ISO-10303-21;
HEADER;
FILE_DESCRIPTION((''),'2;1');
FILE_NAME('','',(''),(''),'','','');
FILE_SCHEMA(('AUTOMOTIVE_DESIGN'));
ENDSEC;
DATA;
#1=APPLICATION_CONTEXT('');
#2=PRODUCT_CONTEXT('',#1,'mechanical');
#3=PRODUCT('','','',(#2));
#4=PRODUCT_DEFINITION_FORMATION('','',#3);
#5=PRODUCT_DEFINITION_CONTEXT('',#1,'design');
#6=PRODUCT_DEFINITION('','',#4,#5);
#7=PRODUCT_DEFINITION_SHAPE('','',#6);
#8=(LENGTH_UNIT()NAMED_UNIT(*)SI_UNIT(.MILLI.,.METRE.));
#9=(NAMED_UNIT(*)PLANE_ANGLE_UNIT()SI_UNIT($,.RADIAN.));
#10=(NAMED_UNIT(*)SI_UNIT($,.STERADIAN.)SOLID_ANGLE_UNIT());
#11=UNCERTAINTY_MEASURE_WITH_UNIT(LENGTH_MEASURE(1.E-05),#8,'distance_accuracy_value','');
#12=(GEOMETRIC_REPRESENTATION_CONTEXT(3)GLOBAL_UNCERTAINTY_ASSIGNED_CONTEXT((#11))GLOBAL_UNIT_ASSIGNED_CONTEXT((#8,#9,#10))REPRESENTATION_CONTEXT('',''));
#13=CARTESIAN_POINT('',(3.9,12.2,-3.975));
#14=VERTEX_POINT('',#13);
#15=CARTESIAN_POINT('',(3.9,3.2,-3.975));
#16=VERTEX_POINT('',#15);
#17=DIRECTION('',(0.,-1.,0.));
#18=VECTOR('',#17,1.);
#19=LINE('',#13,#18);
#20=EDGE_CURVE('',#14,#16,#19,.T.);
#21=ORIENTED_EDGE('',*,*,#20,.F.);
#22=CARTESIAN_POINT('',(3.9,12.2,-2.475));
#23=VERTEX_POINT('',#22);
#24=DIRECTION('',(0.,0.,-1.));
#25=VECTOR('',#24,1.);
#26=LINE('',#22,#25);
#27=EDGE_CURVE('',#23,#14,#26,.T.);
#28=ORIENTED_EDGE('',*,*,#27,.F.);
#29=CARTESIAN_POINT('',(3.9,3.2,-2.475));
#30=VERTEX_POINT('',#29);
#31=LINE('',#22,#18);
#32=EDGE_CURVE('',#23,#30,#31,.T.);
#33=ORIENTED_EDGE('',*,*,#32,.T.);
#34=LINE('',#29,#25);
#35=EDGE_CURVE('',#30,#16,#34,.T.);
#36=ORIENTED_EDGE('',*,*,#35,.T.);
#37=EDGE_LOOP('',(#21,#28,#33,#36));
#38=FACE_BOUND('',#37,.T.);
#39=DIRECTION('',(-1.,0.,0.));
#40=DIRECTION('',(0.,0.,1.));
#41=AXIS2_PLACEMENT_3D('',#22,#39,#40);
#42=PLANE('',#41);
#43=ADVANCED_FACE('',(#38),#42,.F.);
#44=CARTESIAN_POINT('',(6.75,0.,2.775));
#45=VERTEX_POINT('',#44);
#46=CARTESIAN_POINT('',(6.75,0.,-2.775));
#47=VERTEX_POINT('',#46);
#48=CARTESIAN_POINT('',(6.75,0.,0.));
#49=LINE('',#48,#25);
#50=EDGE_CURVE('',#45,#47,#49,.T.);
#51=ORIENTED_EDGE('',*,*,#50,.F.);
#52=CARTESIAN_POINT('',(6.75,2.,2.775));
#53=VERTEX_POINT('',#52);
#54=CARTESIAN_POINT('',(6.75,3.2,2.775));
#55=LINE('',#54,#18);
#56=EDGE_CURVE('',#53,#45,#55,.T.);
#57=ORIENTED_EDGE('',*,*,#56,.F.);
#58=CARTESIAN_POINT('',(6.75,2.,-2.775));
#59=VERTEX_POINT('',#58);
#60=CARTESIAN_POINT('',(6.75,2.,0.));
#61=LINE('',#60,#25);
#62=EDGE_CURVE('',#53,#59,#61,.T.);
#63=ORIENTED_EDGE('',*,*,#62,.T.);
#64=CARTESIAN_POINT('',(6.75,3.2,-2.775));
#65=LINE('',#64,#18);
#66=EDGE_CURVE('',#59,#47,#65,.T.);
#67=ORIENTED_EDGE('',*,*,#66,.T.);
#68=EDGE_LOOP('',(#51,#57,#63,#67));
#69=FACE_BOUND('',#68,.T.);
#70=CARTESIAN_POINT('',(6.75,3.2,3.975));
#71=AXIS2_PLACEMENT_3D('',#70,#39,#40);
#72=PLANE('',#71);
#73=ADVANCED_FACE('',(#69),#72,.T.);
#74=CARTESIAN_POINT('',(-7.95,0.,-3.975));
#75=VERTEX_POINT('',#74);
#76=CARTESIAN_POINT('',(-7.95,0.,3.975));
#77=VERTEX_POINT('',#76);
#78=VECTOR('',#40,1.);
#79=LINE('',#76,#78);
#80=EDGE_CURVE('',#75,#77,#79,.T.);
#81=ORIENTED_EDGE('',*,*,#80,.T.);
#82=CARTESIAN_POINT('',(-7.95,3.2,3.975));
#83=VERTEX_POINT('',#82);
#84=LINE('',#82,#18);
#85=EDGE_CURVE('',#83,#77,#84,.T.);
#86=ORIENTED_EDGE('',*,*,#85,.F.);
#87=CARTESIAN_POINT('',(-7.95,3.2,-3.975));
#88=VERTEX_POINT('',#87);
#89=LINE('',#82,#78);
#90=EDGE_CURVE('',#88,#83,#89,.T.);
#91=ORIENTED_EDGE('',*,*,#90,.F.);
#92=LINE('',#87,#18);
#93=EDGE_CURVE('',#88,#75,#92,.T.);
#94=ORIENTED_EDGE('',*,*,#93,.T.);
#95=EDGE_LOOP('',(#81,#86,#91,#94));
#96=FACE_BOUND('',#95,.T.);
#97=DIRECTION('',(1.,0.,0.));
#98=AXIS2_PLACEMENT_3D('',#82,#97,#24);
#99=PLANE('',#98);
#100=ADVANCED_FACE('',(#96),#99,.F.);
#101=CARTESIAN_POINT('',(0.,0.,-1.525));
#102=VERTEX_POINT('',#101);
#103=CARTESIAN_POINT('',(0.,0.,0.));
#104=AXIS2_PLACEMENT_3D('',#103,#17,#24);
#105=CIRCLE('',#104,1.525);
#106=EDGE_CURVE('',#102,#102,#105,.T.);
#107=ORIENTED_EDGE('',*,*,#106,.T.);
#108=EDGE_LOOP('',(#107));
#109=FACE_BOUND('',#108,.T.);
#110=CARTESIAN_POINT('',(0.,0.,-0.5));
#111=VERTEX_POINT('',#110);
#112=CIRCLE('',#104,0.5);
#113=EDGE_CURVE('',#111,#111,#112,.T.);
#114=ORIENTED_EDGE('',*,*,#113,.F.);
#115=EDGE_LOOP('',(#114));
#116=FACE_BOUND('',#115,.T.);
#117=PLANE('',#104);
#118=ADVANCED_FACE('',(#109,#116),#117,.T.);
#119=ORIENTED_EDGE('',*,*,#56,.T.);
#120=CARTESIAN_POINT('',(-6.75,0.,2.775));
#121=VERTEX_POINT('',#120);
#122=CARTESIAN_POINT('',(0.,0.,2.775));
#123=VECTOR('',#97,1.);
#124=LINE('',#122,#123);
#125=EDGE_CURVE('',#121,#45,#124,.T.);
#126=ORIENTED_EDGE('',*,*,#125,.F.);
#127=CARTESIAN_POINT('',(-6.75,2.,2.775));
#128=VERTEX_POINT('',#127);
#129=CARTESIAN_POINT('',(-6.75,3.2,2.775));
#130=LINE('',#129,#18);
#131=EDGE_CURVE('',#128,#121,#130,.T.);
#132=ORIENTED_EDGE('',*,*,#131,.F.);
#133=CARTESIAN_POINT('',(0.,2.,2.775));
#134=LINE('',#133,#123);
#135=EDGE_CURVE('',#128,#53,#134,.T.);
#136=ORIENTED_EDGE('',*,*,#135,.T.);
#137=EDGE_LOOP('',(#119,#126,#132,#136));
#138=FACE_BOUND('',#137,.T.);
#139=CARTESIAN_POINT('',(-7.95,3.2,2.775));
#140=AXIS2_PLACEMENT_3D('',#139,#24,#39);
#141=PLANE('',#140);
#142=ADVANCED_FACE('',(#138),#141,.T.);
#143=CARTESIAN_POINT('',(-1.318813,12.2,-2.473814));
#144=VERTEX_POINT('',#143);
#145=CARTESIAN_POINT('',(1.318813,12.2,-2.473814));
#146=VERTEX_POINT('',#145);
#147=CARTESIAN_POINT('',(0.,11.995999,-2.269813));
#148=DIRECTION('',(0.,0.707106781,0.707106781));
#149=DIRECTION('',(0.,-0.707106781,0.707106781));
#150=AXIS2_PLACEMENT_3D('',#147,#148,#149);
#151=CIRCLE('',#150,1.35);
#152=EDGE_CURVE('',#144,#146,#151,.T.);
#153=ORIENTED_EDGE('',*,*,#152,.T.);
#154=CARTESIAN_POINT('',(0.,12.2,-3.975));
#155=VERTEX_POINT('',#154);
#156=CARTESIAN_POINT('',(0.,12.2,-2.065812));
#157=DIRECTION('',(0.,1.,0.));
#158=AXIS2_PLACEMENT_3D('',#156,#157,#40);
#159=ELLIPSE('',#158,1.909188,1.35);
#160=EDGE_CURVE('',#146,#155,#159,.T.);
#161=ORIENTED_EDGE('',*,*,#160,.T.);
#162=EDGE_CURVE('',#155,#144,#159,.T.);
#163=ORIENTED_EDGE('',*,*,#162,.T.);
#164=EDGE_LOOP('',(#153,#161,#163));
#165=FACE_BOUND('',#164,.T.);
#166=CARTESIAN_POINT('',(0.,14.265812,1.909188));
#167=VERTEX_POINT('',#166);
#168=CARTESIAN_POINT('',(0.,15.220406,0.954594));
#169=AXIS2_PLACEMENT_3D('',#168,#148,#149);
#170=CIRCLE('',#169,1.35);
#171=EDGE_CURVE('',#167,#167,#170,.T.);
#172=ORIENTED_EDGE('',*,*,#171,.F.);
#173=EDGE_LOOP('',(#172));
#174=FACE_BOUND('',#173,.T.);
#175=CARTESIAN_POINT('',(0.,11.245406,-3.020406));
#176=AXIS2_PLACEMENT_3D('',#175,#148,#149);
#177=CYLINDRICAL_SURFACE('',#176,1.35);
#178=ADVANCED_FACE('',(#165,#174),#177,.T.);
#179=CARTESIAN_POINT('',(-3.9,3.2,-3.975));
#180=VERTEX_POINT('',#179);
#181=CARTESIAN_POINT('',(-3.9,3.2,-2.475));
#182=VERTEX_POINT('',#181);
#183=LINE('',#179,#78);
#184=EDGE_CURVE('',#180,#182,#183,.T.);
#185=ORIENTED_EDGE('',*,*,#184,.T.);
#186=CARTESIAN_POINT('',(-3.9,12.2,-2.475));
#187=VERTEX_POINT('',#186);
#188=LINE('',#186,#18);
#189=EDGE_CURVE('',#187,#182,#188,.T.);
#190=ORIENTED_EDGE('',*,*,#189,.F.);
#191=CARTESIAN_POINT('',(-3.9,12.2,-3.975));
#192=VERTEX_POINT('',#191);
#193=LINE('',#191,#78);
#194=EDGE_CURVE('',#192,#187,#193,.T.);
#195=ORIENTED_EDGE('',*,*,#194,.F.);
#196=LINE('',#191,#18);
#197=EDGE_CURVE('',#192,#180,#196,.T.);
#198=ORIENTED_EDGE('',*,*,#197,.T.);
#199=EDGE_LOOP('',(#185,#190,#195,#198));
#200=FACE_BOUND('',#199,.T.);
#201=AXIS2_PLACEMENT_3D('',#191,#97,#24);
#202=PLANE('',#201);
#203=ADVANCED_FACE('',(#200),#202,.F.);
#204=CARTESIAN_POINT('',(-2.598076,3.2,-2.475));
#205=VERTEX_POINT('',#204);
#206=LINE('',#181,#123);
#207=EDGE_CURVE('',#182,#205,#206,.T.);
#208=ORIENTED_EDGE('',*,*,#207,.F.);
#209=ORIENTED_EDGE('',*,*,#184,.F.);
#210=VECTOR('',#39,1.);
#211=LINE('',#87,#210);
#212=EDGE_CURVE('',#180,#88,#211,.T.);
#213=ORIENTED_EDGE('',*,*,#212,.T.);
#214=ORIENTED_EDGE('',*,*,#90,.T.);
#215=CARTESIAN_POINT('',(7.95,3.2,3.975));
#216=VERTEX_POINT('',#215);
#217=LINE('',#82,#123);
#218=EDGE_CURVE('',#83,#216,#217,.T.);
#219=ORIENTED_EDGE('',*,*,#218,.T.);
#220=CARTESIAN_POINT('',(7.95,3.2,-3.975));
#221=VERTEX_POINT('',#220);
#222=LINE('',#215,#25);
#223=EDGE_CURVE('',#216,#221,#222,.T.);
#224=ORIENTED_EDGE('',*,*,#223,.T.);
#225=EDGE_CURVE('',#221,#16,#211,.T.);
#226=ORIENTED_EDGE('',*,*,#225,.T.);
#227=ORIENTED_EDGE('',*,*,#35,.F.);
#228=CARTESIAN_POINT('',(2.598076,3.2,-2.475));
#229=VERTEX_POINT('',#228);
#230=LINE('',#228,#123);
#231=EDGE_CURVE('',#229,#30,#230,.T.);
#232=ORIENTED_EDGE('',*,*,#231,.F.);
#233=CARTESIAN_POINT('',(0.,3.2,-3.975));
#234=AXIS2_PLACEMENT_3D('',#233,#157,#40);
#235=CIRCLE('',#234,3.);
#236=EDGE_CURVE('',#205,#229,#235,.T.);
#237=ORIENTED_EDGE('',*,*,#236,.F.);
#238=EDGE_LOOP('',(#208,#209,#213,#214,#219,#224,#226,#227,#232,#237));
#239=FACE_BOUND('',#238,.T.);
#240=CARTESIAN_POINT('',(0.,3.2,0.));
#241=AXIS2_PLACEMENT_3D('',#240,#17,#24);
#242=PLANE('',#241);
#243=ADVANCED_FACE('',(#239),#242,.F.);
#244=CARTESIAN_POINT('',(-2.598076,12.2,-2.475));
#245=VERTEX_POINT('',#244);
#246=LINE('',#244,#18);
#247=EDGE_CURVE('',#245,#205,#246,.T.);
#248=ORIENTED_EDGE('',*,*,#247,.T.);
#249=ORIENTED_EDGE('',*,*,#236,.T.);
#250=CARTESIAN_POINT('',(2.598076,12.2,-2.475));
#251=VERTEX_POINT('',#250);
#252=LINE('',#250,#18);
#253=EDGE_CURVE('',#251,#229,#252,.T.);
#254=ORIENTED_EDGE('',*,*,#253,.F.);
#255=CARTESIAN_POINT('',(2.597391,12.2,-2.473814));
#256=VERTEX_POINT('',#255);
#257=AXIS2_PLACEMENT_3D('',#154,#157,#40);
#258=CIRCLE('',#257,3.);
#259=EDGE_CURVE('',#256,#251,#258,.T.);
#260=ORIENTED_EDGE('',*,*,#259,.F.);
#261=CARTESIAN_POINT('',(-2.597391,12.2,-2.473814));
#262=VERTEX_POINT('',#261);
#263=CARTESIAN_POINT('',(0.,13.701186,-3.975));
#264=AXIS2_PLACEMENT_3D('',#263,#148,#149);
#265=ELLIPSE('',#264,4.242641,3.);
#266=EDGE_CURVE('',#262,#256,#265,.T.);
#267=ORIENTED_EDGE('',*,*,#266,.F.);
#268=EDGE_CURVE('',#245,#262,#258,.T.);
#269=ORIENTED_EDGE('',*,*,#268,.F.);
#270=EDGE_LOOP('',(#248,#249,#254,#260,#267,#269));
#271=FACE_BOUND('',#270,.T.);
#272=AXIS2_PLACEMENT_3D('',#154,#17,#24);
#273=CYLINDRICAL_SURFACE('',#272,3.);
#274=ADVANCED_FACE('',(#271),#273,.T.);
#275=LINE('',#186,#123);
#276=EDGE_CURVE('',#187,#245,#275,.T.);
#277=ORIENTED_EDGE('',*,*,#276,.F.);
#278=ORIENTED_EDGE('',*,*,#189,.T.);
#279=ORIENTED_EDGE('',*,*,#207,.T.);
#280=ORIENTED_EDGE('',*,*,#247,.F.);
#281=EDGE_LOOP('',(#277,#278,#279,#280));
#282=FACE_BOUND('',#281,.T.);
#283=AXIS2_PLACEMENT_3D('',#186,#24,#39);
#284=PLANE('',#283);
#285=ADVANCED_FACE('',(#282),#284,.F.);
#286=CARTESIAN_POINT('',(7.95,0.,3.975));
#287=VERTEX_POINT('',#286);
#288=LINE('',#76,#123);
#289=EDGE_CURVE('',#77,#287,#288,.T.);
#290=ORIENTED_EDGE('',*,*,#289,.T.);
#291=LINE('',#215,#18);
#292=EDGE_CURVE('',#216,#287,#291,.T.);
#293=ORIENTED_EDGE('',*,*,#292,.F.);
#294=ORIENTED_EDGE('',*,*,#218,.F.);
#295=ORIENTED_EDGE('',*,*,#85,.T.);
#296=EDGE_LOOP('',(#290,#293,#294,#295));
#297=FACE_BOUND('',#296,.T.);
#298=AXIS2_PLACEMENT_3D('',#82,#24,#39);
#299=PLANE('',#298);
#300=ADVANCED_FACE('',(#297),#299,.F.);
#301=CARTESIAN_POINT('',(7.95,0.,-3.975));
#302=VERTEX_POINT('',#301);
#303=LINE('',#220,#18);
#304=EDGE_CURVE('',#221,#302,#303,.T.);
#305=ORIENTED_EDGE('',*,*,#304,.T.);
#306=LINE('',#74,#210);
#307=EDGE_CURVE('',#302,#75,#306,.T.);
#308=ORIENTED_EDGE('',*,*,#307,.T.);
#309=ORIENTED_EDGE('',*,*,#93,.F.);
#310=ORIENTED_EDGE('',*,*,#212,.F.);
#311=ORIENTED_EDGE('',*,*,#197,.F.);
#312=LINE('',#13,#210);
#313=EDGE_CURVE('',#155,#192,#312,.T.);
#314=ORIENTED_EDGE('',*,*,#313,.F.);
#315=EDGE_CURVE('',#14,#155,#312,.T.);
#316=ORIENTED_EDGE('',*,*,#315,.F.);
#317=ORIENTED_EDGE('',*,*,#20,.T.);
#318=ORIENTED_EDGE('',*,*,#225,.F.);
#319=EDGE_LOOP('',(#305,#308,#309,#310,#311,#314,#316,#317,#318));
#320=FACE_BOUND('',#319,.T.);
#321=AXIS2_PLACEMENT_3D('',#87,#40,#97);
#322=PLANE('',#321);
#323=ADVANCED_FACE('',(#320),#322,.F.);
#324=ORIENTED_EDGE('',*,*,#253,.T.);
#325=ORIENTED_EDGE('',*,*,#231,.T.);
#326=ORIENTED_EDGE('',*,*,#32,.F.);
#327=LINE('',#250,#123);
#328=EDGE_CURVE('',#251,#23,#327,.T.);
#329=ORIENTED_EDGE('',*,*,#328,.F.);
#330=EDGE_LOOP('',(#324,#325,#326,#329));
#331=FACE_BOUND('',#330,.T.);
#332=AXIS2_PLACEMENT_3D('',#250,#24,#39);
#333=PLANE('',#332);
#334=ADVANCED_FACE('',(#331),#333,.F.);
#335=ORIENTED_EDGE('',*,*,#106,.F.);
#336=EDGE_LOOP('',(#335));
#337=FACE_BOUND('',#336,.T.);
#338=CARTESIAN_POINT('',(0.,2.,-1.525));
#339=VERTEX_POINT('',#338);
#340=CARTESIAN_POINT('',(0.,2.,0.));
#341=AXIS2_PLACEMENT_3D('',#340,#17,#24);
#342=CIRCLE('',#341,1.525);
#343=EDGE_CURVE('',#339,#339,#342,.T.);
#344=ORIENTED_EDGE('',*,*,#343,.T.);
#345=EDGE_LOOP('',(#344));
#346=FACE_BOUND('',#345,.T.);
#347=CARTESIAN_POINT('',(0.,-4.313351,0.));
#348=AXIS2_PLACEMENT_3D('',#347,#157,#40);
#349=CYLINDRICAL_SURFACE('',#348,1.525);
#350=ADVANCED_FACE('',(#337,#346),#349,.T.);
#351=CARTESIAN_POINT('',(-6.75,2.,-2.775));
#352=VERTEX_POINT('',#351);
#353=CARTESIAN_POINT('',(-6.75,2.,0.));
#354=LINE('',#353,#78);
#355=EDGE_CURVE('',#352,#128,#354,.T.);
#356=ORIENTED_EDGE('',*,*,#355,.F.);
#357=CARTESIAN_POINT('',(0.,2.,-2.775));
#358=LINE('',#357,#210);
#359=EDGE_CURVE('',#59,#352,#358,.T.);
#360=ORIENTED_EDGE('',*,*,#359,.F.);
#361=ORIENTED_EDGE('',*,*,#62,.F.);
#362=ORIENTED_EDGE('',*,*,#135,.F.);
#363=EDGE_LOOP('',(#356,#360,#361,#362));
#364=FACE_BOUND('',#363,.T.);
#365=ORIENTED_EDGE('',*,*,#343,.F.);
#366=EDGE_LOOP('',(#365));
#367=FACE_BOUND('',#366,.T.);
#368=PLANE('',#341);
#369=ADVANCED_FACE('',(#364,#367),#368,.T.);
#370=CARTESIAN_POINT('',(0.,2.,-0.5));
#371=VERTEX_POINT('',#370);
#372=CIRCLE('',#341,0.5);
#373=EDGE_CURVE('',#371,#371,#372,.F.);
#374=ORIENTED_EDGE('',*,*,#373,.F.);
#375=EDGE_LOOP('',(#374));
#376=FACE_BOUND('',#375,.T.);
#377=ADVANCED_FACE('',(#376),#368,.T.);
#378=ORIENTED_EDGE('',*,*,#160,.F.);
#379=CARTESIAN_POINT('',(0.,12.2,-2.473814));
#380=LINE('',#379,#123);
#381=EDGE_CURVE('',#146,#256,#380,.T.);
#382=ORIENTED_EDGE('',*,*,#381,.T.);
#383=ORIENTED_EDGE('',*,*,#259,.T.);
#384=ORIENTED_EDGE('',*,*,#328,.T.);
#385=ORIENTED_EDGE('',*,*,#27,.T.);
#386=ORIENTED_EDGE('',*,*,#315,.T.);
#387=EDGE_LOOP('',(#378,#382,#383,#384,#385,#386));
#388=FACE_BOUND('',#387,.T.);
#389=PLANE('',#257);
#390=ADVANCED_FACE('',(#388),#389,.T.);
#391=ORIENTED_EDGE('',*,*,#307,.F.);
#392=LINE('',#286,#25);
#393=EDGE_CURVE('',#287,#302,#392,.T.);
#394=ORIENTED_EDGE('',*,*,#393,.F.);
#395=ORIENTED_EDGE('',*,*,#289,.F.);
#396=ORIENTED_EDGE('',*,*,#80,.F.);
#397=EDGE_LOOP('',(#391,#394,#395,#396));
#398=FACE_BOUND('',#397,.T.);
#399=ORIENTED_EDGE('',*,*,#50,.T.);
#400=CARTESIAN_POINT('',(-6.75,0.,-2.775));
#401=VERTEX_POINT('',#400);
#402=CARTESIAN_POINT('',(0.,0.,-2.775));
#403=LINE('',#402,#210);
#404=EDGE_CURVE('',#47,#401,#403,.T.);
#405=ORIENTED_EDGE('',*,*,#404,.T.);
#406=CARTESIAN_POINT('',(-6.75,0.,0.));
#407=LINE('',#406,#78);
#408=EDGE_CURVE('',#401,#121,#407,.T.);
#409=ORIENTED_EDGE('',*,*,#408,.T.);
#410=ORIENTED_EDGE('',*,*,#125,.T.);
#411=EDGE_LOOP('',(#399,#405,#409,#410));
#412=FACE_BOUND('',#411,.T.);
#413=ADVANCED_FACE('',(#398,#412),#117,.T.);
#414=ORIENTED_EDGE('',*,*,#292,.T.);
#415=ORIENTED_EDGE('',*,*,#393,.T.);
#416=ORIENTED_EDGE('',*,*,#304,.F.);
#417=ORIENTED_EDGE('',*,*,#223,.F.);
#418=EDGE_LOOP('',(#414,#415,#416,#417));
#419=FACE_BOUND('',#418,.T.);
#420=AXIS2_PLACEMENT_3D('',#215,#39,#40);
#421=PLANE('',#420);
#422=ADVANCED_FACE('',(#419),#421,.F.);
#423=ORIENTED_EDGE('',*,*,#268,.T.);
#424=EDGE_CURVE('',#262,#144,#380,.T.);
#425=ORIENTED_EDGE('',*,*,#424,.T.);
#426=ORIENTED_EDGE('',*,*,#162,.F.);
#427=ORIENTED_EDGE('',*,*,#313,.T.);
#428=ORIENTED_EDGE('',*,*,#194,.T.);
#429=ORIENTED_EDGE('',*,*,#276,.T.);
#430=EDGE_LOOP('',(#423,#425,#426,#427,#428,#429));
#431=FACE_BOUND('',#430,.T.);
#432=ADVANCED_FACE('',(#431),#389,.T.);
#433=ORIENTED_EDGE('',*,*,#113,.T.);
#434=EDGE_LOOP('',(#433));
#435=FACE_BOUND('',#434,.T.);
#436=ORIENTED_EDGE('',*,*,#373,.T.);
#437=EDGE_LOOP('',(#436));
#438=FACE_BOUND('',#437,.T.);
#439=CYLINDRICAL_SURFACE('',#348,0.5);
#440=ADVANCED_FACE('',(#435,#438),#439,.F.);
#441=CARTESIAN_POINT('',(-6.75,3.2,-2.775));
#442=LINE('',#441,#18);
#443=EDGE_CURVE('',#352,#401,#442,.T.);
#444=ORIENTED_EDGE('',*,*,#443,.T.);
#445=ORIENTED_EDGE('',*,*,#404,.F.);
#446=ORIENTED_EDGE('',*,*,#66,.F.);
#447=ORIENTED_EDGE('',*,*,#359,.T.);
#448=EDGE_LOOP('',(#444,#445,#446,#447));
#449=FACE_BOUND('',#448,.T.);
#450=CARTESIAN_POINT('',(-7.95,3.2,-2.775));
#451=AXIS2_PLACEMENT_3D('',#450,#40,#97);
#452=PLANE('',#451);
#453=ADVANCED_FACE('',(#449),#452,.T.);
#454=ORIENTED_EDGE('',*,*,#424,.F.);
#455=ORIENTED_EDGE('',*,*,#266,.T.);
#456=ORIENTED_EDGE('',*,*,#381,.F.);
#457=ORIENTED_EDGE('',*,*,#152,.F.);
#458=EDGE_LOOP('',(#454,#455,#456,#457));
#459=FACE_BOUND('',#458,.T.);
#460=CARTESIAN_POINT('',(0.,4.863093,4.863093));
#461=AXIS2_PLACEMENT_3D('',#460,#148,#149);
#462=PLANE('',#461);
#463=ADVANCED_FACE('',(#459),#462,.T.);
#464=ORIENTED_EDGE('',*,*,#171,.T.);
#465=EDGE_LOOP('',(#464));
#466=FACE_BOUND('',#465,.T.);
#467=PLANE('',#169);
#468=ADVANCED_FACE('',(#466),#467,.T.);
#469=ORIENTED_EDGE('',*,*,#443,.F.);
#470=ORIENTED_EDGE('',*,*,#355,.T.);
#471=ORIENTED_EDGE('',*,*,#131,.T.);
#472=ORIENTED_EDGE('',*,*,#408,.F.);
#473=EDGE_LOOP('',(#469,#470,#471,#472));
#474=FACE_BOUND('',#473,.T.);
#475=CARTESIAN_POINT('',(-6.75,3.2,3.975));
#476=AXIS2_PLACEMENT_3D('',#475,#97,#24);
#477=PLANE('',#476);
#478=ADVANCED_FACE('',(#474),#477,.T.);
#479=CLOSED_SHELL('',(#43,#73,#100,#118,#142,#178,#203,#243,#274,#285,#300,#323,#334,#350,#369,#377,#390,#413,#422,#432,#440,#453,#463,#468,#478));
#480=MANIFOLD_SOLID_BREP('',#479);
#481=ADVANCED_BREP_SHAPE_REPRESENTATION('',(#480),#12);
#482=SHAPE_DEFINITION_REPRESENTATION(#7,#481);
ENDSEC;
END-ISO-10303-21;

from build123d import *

# Parameters (mm, degrees)
SKETCH1_W           = 15.9
SKETCH1_H           = 7.95
BOSS_EXTRUDE1_DEPTH = 3.2
SHELL1_T            = -1.2
SKETCH3_R           = 1.525
SKETCH3_R_2         = 0.5
BOSS_EXTRUDE3_DEPTH = 2
BOSS_EXTRUDE4_DEPTH = 9
SKETCH7_W           = 30
SKETCH7_H           = 30
CUT_EXTRUDE1_DEPTH  = 14.969416324
BOSS_EXTRUDE5_START = -5.621499
SKETCH8_R           = 1.35
BOSS_EXTRUDE5_DEPTH = 5.621499


with BuildPart() as part:
    # Sketch1 → Boss-Extrude1 (new body)
    with BuildSketch(Plane(origin=(0, 0, 0), x_dir=(1, 0, 0), z_dir=(0, 1, 0))):
        Rectangle(SKETCH1_W, SKETCH1_H)
    extrude(amount=BOSS_EXTRUDE1_DEPTH)

    # Shell1
    shell1_openings = [part.faces().sort_by_distance(p)[0] for p in [
        (0, 0, 0),
    ]]
    offset(amount=SHELL1_T, openings=shell1_openings, kind=Kind.INTERSECTION)

    # Sketch3 → Boss-Extrude3 (add)
    with BuildSketch(Plane.XZ.offset(-2)):
        with Locations(Location((0, 0, 0), (0, 0, 270))):
            Circle(SKETCH3_R)
        with Locations(Location((0, 0, 0), (0, 0, 270))):
            Circle(SKETCH3_R_2, mode=Mode.SUBTRACT)
    extrude(amount=BOSS_EXTRUDE3_DEPTH)

    # Sketch4 → Boss-Extrude4 (add)
    with BuildSketch(Plane(origin=(0, 3.2, 0), x_dir=(1, 0, 0), z_dir=(0, 1, 0))):
        with BuildLine():
            Line((-3.9, 3.975), (-3.9, 2.475))
            Line((-3.9, 2.475), (-2.598076211, 2.475))
            ThreePointArc((-2.598076211, 2.475), (0, 0.975), (2.598076211, 2.475))
            Line((2.598076211, 2.475), (3.9, 2.475))
            Line((3.9, 2.475), (3.9, 3.975))
            Line((3.9, 3.975), (-3.9, 3.975))
        make_face()
    extrude(amount=BOSS_EXTRUDE4_DEPTH)

    # Sketch7 → Cut-Extrude1 (cut, through all)
    with BuildSketch(Plane(origin=(0, 4.863093078, 4.863093078), x_dir=(1, 0, 0), z_dir=(0, 0.7071067811865475, 0.7071067811865477))):
        Rectangle(SKETCH7_W, SKETCH7_H)
    extrude(amount=CUT_EXTRUDE1_DEPTH, mode=Mode.SUBTRACT)

    # Sketch8 → Boss-Extrude5 (add)
    with BuildSketch(Plane(origin=(0, 8.0875, 8.0875), x_dir=(1, 0, 0), z_dir=(0, 0.7071067811865475, 0.7071067811865477)).offset(BOSS_EXTRUDE5_START)):
        with Locations(Location((0, 10.087452186, 0), (0, 0, 270))):
            Circle(SKETCH8_R)
    extrude(amount=BOSS_EXTRUDE5_DEPTH)


solid = part.part
